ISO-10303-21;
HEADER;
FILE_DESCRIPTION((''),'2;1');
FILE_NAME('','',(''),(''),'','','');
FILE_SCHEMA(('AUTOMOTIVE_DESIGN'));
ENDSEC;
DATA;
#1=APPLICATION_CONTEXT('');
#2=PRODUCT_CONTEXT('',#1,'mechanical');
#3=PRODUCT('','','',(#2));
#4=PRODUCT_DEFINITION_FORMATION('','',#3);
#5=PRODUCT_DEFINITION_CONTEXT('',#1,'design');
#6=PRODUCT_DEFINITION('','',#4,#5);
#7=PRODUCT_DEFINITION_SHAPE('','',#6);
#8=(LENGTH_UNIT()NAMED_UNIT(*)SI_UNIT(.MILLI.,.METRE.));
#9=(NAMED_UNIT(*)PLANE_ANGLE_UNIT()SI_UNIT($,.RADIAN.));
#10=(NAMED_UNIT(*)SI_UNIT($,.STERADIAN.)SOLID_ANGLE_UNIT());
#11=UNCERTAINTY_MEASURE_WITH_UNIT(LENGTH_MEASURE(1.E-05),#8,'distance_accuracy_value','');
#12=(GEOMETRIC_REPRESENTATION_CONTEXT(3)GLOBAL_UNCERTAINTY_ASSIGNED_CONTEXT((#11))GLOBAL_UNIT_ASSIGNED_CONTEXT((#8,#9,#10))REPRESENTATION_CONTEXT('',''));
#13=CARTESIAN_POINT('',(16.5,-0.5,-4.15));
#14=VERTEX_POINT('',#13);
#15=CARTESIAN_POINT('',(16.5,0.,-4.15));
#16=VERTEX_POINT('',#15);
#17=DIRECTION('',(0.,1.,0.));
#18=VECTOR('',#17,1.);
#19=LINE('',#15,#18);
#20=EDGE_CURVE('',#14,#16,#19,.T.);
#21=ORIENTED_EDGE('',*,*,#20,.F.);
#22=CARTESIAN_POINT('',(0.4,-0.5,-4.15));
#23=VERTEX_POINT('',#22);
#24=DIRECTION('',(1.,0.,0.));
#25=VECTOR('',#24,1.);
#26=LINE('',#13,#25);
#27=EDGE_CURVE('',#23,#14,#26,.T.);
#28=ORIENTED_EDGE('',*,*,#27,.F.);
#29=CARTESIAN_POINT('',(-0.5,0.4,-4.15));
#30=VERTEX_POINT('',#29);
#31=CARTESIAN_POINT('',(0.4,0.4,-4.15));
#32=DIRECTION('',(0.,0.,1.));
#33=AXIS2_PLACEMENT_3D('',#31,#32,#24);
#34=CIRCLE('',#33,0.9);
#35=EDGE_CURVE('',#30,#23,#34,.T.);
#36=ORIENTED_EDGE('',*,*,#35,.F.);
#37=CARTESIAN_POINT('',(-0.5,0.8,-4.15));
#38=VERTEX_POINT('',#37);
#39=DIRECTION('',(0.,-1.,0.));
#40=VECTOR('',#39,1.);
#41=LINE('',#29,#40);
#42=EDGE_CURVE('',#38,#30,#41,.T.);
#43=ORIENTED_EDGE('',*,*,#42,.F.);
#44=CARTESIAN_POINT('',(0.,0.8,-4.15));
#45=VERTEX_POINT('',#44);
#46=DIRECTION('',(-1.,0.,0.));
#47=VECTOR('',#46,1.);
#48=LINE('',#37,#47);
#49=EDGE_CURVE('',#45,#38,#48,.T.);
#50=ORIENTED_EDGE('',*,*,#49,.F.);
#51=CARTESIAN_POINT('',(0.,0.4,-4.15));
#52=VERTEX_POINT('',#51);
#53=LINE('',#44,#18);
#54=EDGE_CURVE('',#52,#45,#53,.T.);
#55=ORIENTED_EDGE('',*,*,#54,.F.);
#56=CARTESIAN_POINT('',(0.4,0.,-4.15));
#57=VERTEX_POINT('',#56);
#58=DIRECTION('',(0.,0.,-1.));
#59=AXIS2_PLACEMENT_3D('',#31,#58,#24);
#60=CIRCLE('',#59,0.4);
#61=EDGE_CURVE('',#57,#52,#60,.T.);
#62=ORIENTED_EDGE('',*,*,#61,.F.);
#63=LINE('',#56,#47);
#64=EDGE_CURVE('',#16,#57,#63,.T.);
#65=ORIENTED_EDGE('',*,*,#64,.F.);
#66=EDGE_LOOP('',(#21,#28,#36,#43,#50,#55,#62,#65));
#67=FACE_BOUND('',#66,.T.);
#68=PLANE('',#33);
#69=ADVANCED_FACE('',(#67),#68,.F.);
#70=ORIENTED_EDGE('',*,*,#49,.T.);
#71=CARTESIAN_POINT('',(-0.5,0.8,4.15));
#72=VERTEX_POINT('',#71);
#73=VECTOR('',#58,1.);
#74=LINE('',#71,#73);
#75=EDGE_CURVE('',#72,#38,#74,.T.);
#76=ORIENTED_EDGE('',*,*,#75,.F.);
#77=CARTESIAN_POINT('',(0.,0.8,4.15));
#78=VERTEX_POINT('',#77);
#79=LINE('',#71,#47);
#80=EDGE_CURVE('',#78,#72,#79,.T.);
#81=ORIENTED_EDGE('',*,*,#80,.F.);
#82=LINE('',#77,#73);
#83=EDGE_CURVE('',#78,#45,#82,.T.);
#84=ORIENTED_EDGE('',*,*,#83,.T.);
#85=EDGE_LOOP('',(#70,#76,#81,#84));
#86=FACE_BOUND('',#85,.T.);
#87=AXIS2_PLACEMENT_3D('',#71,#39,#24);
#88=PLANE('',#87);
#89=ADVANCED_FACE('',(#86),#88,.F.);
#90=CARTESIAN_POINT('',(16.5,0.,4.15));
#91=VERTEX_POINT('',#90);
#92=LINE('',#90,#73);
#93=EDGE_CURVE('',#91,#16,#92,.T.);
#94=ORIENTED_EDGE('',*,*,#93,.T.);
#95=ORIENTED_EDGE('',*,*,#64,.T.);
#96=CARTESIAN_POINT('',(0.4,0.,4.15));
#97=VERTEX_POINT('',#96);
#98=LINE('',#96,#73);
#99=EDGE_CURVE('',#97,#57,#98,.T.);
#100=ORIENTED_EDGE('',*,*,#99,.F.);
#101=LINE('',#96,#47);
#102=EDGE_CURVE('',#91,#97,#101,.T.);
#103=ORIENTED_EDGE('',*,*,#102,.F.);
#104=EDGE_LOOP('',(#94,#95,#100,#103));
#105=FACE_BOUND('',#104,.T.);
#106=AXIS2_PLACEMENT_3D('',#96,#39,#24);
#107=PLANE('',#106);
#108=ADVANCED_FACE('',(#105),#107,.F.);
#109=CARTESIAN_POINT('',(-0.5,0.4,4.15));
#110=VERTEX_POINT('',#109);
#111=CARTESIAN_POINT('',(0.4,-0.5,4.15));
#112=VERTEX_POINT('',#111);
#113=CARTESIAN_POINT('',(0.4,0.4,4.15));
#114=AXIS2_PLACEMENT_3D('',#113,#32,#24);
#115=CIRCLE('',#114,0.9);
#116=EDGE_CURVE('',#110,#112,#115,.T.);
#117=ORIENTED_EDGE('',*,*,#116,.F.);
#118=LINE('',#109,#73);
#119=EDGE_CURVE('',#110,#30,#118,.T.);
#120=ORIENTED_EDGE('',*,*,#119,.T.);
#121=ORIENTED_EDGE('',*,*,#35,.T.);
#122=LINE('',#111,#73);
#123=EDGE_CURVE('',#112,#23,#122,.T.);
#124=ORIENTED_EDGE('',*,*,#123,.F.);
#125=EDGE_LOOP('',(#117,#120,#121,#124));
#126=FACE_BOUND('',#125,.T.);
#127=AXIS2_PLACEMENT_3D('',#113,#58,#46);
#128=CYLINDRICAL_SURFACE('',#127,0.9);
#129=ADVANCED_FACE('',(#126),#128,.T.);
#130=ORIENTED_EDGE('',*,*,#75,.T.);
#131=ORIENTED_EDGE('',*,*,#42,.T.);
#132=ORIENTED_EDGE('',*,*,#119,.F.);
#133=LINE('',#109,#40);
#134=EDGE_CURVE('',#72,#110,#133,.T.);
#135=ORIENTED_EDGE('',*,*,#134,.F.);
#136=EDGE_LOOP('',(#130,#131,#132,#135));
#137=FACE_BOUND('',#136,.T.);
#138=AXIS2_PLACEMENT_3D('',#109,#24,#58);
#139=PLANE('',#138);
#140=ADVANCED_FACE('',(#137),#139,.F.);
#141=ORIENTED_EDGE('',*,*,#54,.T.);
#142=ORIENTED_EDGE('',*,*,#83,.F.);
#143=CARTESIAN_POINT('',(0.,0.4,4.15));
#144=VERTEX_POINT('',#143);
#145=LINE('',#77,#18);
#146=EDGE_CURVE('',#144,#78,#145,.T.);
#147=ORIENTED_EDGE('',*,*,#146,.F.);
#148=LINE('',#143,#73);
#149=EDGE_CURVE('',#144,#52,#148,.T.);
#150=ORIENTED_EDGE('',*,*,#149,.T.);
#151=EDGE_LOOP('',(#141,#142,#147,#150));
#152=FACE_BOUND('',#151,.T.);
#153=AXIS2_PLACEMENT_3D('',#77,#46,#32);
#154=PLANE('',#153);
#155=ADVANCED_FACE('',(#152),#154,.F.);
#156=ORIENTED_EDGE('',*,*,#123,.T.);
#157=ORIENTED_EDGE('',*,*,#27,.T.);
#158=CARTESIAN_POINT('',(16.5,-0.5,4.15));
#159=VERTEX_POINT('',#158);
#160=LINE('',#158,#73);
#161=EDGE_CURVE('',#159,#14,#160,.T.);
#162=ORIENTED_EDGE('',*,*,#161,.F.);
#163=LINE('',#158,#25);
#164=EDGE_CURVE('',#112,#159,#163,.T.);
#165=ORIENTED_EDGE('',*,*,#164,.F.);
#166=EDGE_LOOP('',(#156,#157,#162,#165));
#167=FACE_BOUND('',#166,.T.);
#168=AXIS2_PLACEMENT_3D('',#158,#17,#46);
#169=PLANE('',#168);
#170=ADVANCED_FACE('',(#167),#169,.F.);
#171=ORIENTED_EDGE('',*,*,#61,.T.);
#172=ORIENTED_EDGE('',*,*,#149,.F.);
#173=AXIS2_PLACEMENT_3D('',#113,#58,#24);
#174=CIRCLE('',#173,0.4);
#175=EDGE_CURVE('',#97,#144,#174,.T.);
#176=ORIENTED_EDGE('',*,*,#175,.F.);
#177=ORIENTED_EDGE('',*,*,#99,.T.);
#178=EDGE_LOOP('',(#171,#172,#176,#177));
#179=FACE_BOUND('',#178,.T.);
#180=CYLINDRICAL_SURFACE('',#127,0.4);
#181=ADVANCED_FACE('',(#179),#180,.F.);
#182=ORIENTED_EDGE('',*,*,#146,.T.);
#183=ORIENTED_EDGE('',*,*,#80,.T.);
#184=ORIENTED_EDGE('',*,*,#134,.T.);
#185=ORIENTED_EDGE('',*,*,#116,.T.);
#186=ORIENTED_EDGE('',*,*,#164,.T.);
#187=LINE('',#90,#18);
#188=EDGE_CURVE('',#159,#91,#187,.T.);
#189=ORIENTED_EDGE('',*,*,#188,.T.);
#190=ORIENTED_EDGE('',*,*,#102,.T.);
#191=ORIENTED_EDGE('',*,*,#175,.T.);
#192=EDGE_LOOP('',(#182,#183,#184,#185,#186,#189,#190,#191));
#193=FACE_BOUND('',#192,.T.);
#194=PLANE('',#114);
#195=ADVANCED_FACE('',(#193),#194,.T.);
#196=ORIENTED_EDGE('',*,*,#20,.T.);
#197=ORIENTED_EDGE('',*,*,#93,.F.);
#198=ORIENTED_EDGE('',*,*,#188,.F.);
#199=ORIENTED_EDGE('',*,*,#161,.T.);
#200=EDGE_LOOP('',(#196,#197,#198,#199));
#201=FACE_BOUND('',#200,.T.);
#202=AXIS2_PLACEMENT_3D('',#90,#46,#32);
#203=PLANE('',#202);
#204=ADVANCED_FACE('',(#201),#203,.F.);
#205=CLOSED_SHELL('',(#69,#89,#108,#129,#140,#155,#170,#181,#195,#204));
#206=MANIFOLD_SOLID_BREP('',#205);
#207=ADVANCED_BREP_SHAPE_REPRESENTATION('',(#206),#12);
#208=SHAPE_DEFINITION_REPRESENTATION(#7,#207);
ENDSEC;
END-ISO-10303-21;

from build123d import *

# Parameters (mm, degrees)
BOSS_EXTRUDE2_DEPTH = 4.15


with BuildPart() as part:
    # Sketch2 → Boss-Extrude2 (new, symmetric)
    with BuildSketch(Plane.XY):
        with BuildLine():
            Line((-0.5, 0.399999956), (-0.5, 0.8))
            Line((-0.5, 0.8), (0, 0.8))
            Line((0, 0.8), (0, 0.4))
            ThreePointArc((0, 0.4), (0.117157259, 0.11715729), (0.399999956, 0))
            Line((0.399999956, 0), (16.5, 0))
            Line((16.5, 0), (16.5, -0.5))
            Line((16.5, -0.5), (0.399999956, -0.5))
            ThreePointArc((0.399999956, -0.5), (-0.236396116, -0.236396116), (-0.5, 0.399999956))
        make_face()
    extrude(amount=BOSS_EXTRUDE2_DEPTH, both=True)


solid = part.part
